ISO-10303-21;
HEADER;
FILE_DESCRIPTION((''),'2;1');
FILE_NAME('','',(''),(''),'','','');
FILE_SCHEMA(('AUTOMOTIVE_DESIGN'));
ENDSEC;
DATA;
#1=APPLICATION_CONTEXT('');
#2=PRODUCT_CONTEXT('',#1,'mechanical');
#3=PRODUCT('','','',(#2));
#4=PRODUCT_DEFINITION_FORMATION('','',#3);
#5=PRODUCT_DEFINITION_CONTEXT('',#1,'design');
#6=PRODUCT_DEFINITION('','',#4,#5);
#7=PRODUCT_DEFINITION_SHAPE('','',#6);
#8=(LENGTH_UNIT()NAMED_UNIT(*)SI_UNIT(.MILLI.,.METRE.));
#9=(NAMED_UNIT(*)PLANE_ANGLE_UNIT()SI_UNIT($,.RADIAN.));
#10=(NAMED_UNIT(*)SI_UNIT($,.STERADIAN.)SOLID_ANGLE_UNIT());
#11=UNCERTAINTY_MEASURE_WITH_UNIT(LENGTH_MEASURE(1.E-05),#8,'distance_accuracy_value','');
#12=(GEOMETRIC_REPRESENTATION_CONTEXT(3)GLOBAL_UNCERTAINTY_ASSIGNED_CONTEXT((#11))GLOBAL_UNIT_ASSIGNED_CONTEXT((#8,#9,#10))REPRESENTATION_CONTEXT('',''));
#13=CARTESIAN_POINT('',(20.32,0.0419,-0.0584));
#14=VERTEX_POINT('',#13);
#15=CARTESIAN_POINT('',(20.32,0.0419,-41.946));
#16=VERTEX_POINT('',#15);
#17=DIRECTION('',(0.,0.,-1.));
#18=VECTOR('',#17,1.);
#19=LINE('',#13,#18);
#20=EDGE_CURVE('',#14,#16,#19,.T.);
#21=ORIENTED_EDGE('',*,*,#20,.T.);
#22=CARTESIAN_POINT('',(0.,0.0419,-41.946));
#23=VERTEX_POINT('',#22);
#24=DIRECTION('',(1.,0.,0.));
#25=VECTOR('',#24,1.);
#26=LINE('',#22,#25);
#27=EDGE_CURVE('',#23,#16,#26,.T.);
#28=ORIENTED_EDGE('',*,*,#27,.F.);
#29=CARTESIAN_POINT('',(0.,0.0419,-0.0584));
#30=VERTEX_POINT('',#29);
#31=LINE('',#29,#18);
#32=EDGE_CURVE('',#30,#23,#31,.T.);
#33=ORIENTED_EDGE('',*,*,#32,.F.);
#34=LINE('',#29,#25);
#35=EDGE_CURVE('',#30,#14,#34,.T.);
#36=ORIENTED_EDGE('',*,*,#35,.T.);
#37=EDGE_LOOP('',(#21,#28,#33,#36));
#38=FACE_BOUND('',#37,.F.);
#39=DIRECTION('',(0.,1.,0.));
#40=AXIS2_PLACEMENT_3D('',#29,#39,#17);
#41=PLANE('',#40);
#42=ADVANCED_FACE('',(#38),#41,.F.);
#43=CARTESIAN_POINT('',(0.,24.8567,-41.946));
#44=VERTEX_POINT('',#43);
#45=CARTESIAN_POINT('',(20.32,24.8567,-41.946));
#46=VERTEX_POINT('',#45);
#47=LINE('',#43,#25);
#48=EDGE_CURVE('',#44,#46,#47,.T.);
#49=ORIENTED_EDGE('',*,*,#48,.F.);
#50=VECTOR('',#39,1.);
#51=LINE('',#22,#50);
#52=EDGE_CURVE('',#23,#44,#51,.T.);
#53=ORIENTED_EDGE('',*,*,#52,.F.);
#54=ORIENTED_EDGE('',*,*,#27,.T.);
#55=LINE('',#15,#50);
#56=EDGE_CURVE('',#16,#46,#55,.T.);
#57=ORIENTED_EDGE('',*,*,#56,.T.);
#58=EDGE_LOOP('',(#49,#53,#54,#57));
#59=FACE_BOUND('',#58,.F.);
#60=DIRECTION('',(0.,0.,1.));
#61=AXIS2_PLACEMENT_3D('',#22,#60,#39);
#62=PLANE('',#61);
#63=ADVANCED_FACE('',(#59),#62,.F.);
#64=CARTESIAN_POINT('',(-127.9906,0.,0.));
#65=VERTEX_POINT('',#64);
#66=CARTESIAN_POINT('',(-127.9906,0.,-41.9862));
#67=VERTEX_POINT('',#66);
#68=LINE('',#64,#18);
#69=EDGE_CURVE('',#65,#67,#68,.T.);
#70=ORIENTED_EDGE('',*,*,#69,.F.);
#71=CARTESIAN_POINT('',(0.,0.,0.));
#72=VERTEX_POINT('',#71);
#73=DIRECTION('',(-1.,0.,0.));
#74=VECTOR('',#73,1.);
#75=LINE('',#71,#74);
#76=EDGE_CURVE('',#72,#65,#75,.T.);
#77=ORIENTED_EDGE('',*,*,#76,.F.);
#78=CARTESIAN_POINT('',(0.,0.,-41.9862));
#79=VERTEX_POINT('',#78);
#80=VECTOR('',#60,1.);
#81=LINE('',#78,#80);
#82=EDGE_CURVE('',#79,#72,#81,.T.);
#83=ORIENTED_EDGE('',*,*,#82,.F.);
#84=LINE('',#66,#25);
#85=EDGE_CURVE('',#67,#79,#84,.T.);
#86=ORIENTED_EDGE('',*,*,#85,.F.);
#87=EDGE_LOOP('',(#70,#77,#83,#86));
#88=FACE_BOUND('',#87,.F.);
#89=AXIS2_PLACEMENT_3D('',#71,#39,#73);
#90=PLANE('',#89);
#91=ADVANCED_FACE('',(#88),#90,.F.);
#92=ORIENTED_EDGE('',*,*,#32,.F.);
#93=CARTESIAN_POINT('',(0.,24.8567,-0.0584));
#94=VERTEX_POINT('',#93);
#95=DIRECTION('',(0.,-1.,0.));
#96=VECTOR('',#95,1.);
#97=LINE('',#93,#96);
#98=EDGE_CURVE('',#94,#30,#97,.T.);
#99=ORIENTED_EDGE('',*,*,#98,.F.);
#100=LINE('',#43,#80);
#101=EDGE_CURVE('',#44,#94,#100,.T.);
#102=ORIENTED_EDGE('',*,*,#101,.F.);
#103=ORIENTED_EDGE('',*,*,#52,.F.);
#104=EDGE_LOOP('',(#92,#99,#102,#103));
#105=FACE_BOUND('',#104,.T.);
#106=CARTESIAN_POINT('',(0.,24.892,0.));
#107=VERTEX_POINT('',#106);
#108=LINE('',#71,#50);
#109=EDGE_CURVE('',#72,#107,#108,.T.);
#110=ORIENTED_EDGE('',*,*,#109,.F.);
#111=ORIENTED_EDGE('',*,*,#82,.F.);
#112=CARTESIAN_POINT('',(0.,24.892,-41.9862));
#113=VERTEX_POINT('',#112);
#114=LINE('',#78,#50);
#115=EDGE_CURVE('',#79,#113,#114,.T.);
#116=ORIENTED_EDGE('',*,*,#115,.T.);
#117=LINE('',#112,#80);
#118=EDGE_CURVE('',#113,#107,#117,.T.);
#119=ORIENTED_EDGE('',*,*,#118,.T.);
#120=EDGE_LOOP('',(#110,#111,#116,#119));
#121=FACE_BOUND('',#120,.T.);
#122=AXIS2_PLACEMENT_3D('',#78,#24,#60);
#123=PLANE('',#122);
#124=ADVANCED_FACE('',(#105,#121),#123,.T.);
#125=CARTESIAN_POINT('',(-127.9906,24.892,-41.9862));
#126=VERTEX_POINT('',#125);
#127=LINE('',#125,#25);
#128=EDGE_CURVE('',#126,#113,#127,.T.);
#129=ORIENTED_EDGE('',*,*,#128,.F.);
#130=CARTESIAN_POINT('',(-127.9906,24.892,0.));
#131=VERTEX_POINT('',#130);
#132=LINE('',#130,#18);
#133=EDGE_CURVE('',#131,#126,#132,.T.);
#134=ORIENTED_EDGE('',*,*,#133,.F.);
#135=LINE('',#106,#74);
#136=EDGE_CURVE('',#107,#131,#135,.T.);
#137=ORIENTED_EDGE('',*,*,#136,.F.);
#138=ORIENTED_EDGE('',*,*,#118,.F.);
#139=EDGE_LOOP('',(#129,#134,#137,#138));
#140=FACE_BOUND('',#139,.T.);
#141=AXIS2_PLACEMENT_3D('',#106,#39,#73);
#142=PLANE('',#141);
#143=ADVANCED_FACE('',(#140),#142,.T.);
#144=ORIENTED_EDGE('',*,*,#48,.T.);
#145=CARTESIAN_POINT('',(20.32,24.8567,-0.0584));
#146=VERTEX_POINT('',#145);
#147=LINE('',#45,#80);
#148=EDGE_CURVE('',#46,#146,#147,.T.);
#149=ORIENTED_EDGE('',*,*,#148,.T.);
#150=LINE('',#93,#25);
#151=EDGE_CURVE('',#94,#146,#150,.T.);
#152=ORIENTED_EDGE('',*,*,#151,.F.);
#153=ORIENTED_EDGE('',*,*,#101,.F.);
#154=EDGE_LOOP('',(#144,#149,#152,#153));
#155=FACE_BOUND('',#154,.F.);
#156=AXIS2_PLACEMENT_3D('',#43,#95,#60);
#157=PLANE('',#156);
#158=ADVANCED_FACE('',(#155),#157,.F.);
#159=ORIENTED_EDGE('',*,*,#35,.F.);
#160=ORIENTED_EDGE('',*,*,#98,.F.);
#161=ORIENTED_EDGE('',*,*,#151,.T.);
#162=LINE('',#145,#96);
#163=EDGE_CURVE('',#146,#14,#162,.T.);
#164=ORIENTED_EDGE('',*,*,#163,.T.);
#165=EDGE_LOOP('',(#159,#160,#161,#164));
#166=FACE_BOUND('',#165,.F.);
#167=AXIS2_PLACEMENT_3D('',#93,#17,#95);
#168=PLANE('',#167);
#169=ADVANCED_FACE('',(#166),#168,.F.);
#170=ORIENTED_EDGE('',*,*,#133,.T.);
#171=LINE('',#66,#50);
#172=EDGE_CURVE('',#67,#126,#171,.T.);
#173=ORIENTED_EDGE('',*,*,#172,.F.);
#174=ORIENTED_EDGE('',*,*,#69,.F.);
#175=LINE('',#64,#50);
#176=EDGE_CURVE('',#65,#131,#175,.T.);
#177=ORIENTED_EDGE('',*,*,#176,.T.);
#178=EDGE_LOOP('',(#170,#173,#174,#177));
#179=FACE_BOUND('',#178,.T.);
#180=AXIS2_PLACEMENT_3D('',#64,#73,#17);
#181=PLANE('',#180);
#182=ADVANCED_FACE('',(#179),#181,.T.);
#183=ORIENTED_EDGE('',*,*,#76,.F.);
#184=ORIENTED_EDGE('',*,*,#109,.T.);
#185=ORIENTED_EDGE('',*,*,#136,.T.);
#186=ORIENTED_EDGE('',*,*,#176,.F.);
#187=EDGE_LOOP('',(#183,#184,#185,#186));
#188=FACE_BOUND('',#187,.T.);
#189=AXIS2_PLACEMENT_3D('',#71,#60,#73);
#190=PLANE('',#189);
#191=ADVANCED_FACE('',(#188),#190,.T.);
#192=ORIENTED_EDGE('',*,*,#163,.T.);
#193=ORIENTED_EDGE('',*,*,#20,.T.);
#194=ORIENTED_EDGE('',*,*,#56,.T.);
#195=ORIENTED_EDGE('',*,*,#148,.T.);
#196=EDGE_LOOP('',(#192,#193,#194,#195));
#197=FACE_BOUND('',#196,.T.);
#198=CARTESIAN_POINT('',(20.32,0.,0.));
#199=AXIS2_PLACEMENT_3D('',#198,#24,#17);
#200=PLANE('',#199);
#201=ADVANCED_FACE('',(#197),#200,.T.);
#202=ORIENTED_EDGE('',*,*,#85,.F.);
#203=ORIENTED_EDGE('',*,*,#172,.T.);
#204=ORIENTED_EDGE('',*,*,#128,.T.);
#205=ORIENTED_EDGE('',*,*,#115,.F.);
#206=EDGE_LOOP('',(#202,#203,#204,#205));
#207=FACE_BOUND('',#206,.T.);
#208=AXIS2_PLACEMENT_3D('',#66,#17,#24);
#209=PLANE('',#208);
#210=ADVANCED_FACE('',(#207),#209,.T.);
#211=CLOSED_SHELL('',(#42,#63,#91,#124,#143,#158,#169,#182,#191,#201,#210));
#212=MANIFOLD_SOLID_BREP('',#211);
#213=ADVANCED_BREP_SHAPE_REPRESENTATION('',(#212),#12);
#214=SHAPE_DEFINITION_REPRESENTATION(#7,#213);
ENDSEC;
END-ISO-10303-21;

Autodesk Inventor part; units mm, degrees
ref_plane "YZ Plane" through (0, 0, 0) normal (1, 0, 0) x (0, 1, 0)
ref_plane "XZ Plane" through (0, 0, 0) normal (0, 1, 0) x (-1, 0, 0)
ref_plane "XY Plane" through (0, 0, 0) normal (0, 0, 1) x (1, 0, 0)
sketch "Sketch1" plane through (0, 0, 0) normal (0, 1, 0) x (-1, 0, 0)
  line L0 (0, 0) -> (127.9906, 0)
  line L1 (127.9906, 0) -> (127.9906, -41.9862)
  line L2 (127.9906, -41.9862) -> (0, -41.9862)
  line L3 (0, -41.9862) -> (0, 0)
  dimension "d0" = 127.9906
  dimension "d1" = 41.9862
extrude "Extrusion1" add sketch "Sketch1" along normal blind 24.892
sketch "Sketch2" plane through (0, 0, 0) normal (1, 0, 0) x (0, 0, -1)
  line L0 (0.0584, 0.0419) -> (41.946, 0.0419)
  line L1 (41.946, 0.0419) -> (41.946, 24.8567)
  line L2 (41.946, 24.8567) -> (0.0584, 24.8567)
  line L3 (0.0584, 24.8567) -> (0.0584, 0.0419)
  point P0 (0, 0)
  point P1 (41.9862, 24.892)
extrude "Extrusion2" add sketch "Sketch2" along normal blind 20.32
properties part number "battery"
